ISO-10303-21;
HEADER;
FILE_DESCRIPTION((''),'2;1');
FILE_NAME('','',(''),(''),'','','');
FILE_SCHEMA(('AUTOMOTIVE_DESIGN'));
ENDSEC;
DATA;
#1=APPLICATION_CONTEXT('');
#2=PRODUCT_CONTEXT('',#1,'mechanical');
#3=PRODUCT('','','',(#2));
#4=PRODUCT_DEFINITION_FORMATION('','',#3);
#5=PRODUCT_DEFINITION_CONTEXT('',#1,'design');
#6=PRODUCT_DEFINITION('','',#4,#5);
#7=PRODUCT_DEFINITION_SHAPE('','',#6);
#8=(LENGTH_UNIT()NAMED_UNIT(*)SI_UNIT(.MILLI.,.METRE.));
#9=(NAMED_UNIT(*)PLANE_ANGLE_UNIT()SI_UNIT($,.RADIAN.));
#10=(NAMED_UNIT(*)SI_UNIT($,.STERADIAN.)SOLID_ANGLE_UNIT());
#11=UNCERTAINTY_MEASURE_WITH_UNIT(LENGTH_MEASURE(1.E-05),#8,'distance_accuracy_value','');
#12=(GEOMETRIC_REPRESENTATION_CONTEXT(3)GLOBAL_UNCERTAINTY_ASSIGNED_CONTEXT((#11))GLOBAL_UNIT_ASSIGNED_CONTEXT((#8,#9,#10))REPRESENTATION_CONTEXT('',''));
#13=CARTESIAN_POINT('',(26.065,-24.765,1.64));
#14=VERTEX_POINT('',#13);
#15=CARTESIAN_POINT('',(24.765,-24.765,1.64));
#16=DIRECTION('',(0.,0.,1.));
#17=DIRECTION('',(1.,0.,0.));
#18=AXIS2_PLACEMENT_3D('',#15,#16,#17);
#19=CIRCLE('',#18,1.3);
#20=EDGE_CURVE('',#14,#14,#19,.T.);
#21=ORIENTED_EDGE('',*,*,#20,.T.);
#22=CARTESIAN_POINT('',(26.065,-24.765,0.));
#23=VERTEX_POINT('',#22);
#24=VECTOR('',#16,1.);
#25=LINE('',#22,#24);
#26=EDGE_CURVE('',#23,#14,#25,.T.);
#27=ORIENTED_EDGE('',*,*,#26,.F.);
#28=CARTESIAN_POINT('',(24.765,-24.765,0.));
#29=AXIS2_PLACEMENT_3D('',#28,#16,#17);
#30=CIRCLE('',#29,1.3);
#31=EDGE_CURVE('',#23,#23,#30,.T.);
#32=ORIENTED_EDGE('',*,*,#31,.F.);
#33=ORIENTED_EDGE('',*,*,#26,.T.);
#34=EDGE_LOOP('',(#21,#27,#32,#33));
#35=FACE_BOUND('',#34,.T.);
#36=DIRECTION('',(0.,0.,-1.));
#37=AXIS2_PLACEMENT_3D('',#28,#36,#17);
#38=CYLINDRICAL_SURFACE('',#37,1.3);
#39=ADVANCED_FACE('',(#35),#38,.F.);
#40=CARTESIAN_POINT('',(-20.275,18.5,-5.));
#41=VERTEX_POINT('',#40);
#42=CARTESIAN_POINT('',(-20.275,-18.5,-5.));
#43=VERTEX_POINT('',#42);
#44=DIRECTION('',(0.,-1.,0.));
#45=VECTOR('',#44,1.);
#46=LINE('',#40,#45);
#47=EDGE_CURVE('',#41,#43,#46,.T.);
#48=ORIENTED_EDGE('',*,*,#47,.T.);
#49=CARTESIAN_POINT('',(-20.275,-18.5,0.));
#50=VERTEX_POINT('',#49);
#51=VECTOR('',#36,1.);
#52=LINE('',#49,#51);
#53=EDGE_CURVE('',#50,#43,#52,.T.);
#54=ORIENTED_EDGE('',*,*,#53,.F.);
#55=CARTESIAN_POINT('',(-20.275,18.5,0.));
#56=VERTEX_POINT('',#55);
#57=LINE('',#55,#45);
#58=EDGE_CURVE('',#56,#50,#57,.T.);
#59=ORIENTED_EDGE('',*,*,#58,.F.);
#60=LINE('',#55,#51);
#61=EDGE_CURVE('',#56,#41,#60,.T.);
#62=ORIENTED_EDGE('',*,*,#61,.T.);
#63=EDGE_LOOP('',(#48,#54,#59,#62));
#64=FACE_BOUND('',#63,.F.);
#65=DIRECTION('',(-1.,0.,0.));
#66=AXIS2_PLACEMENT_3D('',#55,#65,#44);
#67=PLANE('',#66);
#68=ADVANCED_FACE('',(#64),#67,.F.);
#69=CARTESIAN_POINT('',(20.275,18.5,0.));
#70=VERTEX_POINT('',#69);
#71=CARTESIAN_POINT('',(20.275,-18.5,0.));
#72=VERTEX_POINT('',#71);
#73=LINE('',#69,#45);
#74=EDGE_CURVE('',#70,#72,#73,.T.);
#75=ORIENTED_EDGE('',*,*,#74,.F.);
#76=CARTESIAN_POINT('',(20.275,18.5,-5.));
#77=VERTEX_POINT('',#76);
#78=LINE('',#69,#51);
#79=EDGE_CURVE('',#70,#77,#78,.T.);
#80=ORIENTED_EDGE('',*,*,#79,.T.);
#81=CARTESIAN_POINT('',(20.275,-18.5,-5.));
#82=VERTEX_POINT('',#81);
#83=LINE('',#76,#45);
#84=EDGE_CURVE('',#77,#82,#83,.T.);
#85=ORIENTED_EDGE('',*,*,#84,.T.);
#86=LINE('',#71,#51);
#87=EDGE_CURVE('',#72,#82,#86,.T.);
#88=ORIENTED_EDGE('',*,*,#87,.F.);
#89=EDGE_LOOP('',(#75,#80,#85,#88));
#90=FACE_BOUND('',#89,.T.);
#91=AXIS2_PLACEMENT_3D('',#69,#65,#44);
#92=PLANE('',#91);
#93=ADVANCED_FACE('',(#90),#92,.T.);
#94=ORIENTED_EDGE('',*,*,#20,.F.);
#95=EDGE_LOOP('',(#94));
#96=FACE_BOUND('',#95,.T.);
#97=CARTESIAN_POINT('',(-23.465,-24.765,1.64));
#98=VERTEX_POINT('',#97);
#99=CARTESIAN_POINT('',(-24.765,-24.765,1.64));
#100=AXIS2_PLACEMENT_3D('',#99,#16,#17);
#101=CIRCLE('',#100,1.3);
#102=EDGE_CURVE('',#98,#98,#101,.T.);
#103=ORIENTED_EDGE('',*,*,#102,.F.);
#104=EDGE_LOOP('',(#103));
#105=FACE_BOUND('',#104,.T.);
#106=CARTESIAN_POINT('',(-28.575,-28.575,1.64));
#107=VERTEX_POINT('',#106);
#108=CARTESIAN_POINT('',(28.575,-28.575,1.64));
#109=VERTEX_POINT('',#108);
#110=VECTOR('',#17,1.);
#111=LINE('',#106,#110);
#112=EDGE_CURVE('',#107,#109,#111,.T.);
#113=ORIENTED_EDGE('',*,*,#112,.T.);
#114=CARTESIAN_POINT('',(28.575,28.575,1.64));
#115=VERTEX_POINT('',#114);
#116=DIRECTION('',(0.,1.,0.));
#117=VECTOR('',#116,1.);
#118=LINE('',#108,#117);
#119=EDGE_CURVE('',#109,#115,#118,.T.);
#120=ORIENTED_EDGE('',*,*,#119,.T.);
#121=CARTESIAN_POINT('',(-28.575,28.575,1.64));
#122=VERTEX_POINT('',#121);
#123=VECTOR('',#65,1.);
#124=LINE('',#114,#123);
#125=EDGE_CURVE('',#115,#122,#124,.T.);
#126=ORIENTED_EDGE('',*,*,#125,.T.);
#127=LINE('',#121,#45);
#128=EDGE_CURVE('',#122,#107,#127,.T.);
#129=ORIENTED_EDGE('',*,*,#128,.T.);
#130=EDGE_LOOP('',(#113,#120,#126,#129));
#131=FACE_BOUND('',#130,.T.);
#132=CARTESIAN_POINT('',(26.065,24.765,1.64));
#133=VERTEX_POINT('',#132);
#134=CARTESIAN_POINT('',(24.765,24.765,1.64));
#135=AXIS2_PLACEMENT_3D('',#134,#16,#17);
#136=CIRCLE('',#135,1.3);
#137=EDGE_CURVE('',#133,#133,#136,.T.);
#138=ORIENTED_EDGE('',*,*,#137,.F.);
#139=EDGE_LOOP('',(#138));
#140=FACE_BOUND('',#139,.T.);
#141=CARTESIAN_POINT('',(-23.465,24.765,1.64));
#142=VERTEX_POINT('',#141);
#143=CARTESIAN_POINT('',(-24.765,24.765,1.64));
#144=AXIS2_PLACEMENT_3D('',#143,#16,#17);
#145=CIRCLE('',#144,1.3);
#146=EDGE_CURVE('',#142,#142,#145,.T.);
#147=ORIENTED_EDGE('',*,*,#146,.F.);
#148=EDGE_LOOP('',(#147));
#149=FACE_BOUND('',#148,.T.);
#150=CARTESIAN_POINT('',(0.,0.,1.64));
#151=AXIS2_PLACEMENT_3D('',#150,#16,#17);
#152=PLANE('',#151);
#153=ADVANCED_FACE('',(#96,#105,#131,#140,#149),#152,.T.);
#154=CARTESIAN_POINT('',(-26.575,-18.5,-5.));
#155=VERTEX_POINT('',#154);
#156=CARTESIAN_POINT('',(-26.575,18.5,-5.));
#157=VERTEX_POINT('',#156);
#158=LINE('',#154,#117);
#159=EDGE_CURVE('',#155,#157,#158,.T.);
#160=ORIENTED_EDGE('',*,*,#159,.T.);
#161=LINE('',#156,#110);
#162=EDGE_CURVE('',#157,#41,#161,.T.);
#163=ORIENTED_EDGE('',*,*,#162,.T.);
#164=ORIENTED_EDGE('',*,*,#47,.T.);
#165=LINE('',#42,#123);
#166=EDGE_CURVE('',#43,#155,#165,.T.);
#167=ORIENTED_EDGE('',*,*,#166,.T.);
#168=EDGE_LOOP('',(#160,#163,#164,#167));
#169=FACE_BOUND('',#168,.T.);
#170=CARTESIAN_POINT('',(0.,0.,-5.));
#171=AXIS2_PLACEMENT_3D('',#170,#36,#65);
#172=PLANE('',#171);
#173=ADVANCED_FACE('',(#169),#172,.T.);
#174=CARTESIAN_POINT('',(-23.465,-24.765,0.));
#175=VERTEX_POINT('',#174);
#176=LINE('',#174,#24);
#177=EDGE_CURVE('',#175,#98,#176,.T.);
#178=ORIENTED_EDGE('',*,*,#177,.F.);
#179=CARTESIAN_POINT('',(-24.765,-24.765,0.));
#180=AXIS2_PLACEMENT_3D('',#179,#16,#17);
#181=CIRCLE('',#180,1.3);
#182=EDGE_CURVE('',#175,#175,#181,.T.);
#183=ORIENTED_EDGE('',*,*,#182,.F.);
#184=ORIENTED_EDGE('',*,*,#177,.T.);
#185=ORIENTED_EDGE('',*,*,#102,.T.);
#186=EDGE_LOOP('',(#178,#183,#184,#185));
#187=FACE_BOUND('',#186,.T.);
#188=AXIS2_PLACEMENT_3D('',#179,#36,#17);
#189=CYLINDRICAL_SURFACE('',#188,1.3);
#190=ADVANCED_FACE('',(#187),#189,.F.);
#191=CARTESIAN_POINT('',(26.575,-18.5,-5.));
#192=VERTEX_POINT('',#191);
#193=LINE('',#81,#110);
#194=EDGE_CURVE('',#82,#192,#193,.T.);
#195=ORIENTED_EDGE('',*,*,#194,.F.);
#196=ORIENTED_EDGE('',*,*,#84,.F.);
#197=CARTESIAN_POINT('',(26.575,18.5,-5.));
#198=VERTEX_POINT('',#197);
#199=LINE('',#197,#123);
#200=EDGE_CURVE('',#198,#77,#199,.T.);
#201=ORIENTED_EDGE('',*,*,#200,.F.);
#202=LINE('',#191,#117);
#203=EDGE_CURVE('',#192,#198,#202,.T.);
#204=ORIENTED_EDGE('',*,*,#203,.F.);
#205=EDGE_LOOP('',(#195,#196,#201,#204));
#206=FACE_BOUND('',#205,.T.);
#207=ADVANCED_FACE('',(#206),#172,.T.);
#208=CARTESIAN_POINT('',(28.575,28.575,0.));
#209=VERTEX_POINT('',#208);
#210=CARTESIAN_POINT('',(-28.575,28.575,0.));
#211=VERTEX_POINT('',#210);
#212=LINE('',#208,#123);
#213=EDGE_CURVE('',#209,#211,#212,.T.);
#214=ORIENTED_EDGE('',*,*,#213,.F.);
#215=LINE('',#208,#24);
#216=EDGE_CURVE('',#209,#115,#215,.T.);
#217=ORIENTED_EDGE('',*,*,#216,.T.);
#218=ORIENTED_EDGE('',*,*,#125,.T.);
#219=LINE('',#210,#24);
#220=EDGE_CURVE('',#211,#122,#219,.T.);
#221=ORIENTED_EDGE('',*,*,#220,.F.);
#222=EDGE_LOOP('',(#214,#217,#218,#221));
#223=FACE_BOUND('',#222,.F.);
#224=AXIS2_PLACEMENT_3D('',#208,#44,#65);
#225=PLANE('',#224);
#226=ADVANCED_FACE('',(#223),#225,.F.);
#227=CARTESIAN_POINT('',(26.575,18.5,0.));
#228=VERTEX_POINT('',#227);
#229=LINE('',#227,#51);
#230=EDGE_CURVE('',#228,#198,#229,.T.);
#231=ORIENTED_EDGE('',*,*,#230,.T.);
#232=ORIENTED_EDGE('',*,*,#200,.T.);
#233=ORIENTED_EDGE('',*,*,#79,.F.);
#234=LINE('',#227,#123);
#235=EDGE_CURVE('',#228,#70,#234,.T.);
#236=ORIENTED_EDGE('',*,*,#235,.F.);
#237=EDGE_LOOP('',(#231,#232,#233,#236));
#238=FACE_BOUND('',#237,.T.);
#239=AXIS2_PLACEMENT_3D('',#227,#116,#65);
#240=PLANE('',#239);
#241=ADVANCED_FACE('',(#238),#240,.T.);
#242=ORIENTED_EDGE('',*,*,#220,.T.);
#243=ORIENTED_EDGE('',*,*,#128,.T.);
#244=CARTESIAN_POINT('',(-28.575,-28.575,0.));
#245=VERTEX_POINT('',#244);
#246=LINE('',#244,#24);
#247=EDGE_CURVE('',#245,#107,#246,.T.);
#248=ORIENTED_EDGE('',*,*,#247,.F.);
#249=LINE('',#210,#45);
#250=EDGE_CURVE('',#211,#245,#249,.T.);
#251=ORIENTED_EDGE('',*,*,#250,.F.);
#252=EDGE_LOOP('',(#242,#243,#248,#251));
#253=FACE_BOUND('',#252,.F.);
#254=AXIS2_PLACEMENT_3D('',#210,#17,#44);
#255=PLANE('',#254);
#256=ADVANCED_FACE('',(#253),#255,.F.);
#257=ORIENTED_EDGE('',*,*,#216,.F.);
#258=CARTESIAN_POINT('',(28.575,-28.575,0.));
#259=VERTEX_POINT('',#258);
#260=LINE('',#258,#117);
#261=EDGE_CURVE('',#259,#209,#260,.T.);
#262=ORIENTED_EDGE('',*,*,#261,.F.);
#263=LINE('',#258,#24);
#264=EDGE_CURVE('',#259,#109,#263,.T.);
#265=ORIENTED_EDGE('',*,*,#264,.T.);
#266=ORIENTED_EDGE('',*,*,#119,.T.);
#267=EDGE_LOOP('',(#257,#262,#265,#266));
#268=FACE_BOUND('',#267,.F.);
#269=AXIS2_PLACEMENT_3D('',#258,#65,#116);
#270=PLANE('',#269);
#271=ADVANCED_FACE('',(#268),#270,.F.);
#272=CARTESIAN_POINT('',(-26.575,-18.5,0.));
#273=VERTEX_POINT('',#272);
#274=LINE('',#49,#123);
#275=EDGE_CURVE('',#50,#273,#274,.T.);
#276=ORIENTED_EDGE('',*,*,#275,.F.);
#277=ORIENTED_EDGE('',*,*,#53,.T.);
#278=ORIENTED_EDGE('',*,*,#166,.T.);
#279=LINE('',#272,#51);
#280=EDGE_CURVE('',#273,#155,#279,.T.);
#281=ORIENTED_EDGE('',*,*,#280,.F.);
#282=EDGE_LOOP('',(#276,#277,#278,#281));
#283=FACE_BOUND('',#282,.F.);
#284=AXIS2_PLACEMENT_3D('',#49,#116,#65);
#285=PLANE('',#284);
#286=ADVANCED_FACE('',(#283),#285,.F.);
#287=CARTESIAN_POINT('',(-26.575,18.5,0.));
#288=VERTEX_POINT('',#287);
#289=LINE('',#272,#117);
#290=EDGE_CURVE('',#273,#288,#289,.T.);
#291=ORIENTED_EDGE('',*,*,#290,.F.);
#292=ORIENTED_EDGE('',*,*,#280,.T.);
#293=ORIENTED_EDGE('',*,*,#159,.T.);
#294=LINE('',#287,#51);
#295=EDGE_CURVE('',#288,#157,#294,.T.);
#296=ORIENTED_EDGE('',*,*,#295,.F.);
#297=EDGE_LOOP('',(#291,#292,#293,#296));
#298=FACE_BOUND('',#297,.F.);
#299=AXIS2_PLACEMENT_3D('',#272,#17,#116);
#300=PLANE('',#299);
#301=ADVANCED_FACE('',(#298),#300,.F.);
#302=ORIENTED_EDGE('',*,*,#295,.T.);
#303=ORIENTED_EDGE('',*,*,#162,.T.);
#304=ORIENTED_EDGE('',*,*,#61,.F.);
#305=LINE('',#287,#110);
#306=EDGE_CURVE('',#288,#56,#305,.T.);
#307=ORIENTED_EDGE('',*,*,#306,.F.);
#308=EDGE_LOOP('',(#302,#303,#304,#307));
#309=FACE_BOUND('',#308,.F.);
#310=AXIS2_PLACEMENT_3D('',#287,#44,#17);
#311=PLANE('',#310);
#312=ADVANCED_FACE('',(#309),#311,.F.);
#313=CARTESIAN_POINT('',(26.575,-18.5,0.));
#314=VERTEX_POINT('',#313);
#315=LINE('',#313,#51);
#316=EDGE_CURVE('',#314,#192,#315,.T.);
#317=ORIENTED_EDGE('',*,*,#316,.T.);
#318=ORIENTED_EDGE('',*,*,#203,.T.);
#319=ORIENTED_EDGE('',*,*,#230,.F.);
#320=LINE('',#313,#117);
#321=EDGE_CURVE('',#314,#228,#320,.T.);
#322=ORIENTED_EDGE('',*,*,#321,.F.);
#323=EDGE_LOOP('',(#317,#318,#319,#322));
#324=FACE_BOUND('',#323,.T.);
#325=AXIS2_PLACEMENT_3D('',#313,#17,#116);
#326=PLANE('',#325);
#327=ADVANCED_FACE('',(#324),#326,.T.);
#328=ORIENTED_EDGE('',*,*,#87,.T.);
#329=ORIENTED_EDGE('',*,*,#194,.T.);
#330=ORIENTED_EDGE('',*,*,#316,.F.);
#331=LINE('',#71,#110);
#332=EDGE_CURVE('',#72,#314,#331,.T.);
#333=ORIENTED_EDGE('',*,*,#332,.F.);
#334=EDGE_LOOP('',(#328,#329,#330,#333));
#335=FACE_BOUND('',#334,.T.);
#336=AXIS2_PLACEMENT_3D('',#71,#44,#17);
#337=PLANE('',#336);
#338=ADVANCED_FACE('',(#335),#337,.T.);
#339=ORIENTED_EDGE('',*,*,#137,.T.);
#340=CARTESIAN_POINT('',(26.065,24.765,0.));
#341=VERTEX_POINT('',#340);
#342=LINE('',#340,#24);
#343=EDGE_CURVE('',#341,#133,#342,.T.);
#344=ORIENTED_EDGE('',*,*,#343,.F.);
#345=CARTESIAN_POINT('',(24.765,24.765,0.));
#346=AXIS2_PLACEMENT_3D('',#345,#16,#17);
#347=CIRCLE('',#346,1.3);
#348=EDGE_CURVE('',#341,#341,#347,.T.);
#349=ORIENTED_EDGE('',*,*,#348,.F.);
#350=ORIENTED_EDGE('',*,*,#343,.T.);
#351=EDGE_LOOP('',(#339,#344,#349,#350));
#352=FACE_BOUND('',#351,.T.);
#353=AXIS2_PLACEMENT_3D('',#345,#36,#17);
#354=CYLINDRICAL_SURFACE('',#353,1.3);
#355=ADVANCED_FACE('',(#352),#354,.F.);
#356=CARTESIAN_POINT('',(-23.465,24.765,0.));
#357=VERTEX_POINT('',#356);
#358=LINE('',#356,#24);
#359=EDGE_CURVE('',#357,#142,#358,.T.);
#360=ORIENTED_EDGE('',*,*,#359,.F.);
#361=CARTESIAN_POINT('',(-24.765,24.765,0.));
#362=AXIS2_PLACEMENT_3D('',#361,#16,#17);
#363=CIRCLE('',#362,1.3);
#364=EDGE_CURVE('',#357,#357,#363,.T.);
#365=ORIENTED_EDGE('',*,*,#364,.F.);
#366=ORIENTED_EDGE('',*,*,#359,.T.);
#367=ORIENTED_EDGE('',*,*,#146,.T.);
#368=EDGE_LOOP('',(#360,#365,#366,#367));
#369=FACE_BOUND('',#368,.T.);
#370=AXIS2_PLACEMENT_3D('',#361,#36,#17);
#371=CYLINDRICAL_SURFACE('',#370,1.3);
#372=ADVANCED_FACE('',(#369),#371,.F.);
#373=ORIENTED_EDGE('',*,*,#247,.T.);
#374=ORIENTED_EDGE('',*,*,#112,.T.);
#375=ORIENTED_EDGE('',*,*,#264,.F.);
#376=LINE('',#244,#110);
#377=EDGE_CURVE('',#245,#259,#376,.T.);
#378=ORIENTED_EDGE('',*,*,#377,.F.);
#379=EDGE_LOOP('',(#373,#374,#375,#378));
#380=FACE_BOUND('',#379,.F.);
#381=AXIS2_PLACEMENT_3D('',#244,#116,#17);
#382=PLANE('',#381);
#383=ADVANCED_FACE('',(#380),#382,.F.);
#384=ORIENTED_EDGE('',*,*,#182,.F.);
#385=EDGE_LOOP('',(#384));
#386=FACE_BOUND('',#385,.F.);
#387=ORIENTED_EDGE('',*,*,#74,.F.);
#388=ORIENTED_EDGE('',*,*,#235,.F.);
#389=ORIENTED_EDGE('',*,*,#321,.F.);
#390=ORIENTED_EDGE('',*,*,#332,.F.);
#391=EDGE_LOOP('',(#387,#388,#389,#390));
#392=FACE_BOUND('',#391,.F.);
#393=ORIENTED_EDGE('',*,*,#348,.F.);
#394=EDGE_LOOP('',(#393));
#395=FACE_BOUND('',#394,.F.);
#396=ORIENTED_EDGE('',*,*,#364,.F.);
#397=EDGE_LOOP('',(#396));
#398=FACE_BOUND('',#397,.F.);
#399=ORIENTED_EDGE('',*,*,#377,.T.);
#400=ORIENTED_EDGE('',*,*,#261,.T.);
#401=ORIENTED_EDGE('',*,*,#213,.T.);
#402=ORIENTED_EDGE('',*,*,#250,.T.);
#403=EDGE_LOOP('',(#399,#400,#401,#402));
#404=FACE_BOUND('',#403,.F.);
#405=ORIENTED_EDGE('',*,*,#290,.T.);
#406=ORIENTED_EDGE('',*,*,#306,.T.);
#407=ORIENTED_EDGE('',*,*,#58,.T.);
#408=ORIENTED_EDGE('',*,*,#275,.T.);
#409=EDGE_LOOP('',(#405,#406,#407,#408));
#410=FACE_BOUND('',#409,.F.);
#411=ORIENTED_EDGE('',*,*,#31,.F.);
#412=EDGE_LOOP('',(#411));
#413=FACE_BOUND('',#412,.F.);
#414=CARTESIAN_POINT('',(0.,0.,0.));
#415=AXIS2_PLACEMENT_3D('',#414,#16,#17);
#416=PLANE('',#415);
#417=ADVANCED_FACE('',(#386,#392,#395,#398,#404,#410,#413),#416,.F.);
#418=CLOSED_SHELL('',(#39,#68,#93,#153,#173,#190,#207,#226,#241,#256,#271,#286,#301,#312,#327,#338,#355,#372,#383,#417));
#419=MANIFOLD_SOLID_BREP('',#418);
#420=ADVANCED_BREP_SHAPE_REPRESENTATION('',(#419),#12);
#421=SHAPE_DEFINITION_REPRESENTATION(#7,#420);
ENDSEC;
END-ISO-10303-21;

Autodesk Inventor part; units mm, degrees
ref_plane "YZ Plane" through (0, 0, 0) normal (1, 0, 0) x (0, 1, 0)
ref_plane "XZ Plane" through (0, 0, 0) normal (0, 1, 0) x (-1, 0, 0)
ref_plane "XY Plane" through (0, 0, 0) normal (0, 0, 1) x (1, 0, 0)
sketch "Sketch1" plane through (0, 0, 0) normal (0, 0, 1) x (1, 0, 0)
  line L0 (-28.575, -28.575) -> (28.575, -28.575)
  line L1 (28.575, -28.575) -> (28.575, 28.575)
  line L2 (28.575, 28.575) -> (-28.575, 28.575)
  line L3 (-28.575, 28.575) -> (-28.575, -28.575)
  line L4 (-28.575, -28.575) -> (28.575, 28.575) construction
  line L5 (28.575, -28.575) -> (-28.575, 28.575) construction
  line L6 (-28.575, 0) -> (28.575, 0) construction
  line L7 (0, 28.575) -> (0, -28.575) construction
  circle A0 centre (-24.765, 24.765) radius 1.3
  circle A1 centre (24.765, 24.765) radius 1.3
  circle A2 centre (-24.765, -24.765) radius 1.3
  circle A3 centre (24.765, -24.765) radius 1.3
  point P0 (0, 0)
  dimension "d2" = 57.15
  dimension "d4" = 57.15
  dimension "d26" = 2.6
  dimension "d27" = 3.81
extrude "Extrusion1" add sketch "Sketch1" along normal blind 1.64
sketch "Sketch4" plane through (0, 0, 0) normal (0, 0, -1) x (-1, 0, 0)
  line L0 (-28.575, -28.575) -> (28.575, -28.575)
  line L1 (-28.575, 28.575) -> (-28.575, -28.575)
  line L2 (-26.575, 18.5) -> (-20.275, 18.5)
  line L3 (-20.275, 18.5) -> (-20.275, -18.5)
  line L4 (-20.275, -18.5) -> (-26.575, -18.5)
  line L5 (-26.575, -18.5) -> (-26.575, 18.5)
  line L6 (-20.275, 18.5) -> (-26.575, -18.5) construction
  line L7 (-26.575, 18.5) -> (-20.275, -18.5) construction
  line L8 (0, 0) -> (-28.575, 0) construction
  line L9 (0, -28.575) -> (0, 0) construction
  line L10 (26.575, 18.5) -> (20.275, 18.5)
  line L11 (20.275, 18.5) -> (20.275, -18.5)
  line L12 (20.275, -18.5) -> (26.575, -18.5)
  line L13 (26.575, -18.5) -> (26.575, 18.5)
  line L14 (28.575, -28.575) -> (-28.575, -28.575) projected
  line L15 (28.575, 28.575) -> (28.575, -28.575) projected
  line L16 (-28.575, 28.575) -> (28.575, 28.575) projected
  line L17 (-28.575, -28.575) -> (-28.575, 28.575) projected
  point P0 (-23.425, 0)
  dimension "d21" = 37
  dimension "d22" = 6.3
  dimension "d23" = 2
extrude "Extrusion4" add sketch "Sketch4" along normal blind 5 contours L2 L3 L4 L5 | L13 L12 L11 L10
properties part number "SFE-ProcessingBoard01" material "PCB(1)"
